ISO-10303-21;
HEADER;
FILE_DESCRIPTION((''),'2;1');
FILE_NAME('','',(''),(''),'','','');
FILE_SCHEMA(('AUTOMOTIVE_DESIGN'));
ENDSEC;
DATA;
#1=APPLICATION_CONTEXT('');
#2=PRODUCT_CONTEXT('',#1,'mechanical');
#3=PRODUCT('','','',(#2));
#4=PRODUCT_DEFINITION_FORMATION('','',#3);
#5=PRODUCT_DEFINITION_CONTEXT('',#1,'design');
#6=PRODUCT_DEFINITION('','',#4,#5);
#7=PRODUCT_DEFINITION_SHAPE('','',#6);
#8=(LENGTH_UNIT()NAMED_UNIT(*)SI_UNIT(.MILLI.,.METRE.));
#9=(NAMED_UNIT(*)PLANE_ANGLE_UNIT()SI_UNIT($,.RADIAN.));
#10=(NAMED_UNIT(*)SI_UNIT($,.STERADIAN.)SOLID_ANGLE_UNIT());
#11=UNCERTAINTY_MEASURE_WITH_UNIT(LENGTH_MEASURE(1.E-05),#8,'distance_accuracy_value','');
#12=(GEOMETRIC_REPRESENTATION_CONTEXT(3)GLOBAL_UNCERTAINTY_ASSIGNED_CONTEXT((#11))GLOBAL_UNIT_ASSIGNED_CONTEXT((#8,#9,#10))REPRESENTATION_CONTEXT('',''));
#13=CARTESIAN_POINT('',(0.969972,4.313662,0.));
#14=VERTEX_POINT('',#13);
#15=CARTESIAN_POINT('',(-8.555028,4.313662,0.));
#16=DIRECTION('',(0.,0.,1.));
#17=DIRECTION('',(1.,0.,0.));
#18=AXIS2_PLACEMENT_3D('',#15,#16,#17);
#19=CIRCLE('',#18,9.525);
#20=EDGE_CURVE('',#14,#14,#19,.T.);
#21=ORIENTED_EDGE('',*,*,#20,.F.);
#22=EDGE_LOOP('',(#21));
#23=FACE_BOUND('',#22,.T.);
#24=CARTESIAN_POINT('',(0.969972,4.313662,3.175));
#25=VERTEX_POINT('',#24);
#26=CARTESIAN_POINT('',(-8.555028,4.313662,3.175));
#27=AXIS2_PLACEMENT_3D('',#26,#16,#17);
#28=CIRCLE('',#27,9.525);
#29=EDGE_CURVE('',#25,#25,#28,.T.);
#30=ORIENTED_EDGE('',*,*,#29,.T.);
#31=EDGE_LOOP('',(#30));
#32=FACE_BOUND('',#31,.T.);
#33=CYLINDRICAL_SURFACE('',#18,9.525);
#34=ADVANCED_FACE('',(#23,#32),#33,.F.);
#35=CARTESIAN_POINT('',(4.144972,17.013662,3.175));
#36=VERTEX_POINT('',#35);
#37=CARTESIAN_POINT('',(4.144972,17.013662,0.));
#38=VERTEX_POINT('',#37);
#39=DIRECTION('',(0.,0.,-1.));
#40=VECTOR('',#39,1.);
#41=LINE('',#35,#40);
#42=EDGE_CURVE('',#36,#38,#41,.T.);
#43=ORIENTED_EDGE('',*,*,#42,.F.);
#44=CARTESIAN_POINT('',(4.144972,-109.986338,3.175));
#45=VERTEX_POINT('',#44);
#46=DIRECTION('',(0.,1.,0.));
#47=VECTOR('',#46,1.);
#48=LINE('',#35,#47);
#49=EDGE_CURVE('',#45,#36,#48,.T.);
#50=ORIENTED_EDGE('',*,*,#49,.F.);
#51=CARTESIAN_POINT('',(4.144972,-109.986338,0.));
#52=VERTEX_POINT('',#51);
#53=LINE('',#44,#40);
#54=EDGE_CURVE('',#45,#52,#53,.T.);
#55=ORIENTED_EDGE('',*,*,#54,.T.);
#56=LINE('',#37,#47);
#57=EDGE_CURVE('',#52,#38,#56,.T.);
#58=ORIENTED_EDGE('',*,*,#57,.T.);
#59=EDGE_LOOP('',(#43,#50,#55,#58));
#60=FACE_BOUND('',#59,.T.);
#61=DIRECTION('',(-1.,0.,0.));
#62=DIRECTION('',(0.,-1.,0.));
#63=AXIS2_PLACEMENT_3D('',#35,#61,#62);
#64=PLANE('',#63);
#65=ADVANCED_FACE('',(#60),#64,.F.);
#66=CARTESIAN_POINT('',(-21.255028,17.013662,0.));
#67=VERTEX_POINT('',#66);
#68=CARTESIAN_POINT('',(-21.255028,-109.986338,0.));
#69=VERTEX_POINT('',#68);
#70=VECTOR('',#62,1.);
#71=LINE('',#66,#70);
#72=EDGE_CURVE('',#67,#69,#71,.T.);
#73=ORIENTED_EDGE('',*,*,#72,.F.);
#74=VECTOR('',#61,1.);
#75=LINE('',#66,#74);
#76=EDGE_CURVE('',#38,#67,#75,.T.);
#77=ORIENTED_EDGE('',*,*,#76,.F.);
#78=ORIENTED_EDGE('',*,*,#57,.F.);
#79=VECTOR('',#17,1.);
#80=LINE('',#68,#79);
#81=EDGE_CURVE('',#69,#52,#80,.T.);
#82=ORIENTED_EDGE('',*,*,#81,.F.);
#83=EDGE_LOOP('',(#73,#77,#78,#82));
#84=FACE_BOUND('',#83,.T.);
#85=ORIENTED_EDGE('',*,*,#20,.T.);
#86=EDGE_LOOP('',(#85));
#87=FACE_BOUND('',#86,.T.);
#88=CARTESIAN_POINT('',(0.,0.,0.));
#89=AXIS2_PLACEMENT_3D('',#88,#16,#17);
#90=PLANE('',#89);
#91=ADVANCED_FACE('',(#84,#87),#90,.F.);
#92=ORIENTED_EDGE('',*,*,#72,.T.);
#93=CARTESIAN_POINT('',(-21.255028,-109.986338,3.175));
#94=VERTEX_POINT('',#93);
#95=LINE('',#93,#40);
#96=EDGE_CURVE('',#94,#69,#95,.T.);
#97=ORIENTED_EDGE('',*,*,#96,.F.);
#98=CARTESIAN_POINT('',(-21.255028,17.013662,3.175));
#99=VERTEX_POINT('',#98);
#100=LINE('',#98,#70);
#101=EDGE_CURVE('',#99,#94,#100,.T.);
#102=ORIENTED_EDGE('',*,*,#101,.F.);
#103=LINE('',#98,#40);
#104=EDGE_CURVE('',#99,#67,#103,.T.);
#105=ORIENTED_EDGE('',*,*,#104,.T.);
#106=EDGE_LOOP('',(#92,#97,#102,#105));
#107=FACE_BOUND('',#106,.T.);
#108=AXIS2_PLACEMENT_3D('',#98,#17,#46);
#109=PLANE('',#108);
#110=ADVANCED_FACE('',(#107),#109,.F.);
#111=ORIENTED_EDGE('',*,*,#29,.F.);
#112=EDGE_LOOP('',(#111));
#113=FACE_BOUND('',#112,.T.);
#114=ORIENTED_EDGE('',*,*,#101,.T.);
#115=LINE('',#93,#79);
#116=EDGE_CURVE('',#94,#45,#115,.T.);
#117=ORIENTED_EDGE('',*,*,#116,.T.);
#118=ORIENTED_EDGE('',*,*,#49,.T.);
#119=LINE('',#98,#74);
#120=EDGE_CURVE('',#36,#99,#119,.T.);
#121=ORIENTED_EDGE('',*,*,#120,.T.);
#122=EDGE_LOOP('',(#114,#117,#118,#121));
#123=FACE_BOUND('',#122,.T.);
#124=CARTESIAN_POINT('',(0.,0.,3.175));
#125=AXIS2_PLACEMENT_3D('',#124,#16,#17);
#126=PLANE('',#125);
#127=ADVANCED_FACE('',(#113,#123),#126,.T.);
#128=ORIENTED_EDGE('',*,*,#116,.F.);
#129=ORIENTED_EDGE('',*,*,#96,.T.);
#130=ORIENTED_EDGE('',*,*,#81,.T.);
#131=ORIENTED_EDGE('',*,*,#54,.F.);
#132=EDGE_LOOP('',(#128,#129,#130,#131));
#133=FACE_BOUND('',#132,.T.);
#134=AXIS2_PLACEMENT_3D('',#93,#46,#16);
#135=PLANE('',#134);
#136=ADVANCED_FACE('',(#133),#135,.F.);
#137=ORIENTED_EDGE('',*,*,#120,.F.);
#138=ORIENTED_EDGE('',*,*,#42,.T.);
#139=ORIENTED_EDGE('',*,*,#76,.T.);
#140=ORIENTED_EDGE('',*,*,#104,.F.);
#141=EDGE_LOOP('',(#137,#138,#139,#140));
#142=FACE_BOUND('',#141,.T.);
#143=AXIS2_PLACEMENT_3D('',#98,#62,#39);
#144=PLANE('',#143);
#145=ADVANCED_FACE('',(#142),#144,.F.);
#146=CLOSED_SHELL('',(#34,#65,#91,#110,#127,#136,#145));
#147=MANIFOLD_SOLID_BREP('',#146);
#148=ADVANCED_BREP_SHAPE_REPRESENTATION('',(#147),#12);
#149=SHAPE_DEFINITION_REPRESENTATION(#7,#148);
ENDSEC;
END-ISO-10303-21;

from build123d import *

# Parameters (mm, degrees)
SKETCH1_W           = 25.4
SKETCH1_H           = 127
BOSS_EXTRUDE1_DEPTH = 3.175
SKETCH2_R           = 9.525
CUT_EXTRUDE1_DEPTH  = 3.175


with BuildPart() as part:
    # Sketch1 → Boss-Extrude1 (new body)
    with BuildSketch(Plane.XY):
        with Locations((-8.555028463, -46.486337761)):
            Rectangle(SKETCH1_W, SKETCH1_H)
    extrude(amount=BOSS_EXTRUDE1_DEPTH)

    # Sketch2 → Cut-Extrude1 (cut)
    with BuildSketch(Plane.XY.offset(3.175)):
        with Locations((-8.555028463, 4.313662239)):
            Circle(SKETCH2_R)
    extrude(amount=-CUT_EXTRUDE1_DEPTH, mode=Mode.SUBTRACT)


solid = part.part
